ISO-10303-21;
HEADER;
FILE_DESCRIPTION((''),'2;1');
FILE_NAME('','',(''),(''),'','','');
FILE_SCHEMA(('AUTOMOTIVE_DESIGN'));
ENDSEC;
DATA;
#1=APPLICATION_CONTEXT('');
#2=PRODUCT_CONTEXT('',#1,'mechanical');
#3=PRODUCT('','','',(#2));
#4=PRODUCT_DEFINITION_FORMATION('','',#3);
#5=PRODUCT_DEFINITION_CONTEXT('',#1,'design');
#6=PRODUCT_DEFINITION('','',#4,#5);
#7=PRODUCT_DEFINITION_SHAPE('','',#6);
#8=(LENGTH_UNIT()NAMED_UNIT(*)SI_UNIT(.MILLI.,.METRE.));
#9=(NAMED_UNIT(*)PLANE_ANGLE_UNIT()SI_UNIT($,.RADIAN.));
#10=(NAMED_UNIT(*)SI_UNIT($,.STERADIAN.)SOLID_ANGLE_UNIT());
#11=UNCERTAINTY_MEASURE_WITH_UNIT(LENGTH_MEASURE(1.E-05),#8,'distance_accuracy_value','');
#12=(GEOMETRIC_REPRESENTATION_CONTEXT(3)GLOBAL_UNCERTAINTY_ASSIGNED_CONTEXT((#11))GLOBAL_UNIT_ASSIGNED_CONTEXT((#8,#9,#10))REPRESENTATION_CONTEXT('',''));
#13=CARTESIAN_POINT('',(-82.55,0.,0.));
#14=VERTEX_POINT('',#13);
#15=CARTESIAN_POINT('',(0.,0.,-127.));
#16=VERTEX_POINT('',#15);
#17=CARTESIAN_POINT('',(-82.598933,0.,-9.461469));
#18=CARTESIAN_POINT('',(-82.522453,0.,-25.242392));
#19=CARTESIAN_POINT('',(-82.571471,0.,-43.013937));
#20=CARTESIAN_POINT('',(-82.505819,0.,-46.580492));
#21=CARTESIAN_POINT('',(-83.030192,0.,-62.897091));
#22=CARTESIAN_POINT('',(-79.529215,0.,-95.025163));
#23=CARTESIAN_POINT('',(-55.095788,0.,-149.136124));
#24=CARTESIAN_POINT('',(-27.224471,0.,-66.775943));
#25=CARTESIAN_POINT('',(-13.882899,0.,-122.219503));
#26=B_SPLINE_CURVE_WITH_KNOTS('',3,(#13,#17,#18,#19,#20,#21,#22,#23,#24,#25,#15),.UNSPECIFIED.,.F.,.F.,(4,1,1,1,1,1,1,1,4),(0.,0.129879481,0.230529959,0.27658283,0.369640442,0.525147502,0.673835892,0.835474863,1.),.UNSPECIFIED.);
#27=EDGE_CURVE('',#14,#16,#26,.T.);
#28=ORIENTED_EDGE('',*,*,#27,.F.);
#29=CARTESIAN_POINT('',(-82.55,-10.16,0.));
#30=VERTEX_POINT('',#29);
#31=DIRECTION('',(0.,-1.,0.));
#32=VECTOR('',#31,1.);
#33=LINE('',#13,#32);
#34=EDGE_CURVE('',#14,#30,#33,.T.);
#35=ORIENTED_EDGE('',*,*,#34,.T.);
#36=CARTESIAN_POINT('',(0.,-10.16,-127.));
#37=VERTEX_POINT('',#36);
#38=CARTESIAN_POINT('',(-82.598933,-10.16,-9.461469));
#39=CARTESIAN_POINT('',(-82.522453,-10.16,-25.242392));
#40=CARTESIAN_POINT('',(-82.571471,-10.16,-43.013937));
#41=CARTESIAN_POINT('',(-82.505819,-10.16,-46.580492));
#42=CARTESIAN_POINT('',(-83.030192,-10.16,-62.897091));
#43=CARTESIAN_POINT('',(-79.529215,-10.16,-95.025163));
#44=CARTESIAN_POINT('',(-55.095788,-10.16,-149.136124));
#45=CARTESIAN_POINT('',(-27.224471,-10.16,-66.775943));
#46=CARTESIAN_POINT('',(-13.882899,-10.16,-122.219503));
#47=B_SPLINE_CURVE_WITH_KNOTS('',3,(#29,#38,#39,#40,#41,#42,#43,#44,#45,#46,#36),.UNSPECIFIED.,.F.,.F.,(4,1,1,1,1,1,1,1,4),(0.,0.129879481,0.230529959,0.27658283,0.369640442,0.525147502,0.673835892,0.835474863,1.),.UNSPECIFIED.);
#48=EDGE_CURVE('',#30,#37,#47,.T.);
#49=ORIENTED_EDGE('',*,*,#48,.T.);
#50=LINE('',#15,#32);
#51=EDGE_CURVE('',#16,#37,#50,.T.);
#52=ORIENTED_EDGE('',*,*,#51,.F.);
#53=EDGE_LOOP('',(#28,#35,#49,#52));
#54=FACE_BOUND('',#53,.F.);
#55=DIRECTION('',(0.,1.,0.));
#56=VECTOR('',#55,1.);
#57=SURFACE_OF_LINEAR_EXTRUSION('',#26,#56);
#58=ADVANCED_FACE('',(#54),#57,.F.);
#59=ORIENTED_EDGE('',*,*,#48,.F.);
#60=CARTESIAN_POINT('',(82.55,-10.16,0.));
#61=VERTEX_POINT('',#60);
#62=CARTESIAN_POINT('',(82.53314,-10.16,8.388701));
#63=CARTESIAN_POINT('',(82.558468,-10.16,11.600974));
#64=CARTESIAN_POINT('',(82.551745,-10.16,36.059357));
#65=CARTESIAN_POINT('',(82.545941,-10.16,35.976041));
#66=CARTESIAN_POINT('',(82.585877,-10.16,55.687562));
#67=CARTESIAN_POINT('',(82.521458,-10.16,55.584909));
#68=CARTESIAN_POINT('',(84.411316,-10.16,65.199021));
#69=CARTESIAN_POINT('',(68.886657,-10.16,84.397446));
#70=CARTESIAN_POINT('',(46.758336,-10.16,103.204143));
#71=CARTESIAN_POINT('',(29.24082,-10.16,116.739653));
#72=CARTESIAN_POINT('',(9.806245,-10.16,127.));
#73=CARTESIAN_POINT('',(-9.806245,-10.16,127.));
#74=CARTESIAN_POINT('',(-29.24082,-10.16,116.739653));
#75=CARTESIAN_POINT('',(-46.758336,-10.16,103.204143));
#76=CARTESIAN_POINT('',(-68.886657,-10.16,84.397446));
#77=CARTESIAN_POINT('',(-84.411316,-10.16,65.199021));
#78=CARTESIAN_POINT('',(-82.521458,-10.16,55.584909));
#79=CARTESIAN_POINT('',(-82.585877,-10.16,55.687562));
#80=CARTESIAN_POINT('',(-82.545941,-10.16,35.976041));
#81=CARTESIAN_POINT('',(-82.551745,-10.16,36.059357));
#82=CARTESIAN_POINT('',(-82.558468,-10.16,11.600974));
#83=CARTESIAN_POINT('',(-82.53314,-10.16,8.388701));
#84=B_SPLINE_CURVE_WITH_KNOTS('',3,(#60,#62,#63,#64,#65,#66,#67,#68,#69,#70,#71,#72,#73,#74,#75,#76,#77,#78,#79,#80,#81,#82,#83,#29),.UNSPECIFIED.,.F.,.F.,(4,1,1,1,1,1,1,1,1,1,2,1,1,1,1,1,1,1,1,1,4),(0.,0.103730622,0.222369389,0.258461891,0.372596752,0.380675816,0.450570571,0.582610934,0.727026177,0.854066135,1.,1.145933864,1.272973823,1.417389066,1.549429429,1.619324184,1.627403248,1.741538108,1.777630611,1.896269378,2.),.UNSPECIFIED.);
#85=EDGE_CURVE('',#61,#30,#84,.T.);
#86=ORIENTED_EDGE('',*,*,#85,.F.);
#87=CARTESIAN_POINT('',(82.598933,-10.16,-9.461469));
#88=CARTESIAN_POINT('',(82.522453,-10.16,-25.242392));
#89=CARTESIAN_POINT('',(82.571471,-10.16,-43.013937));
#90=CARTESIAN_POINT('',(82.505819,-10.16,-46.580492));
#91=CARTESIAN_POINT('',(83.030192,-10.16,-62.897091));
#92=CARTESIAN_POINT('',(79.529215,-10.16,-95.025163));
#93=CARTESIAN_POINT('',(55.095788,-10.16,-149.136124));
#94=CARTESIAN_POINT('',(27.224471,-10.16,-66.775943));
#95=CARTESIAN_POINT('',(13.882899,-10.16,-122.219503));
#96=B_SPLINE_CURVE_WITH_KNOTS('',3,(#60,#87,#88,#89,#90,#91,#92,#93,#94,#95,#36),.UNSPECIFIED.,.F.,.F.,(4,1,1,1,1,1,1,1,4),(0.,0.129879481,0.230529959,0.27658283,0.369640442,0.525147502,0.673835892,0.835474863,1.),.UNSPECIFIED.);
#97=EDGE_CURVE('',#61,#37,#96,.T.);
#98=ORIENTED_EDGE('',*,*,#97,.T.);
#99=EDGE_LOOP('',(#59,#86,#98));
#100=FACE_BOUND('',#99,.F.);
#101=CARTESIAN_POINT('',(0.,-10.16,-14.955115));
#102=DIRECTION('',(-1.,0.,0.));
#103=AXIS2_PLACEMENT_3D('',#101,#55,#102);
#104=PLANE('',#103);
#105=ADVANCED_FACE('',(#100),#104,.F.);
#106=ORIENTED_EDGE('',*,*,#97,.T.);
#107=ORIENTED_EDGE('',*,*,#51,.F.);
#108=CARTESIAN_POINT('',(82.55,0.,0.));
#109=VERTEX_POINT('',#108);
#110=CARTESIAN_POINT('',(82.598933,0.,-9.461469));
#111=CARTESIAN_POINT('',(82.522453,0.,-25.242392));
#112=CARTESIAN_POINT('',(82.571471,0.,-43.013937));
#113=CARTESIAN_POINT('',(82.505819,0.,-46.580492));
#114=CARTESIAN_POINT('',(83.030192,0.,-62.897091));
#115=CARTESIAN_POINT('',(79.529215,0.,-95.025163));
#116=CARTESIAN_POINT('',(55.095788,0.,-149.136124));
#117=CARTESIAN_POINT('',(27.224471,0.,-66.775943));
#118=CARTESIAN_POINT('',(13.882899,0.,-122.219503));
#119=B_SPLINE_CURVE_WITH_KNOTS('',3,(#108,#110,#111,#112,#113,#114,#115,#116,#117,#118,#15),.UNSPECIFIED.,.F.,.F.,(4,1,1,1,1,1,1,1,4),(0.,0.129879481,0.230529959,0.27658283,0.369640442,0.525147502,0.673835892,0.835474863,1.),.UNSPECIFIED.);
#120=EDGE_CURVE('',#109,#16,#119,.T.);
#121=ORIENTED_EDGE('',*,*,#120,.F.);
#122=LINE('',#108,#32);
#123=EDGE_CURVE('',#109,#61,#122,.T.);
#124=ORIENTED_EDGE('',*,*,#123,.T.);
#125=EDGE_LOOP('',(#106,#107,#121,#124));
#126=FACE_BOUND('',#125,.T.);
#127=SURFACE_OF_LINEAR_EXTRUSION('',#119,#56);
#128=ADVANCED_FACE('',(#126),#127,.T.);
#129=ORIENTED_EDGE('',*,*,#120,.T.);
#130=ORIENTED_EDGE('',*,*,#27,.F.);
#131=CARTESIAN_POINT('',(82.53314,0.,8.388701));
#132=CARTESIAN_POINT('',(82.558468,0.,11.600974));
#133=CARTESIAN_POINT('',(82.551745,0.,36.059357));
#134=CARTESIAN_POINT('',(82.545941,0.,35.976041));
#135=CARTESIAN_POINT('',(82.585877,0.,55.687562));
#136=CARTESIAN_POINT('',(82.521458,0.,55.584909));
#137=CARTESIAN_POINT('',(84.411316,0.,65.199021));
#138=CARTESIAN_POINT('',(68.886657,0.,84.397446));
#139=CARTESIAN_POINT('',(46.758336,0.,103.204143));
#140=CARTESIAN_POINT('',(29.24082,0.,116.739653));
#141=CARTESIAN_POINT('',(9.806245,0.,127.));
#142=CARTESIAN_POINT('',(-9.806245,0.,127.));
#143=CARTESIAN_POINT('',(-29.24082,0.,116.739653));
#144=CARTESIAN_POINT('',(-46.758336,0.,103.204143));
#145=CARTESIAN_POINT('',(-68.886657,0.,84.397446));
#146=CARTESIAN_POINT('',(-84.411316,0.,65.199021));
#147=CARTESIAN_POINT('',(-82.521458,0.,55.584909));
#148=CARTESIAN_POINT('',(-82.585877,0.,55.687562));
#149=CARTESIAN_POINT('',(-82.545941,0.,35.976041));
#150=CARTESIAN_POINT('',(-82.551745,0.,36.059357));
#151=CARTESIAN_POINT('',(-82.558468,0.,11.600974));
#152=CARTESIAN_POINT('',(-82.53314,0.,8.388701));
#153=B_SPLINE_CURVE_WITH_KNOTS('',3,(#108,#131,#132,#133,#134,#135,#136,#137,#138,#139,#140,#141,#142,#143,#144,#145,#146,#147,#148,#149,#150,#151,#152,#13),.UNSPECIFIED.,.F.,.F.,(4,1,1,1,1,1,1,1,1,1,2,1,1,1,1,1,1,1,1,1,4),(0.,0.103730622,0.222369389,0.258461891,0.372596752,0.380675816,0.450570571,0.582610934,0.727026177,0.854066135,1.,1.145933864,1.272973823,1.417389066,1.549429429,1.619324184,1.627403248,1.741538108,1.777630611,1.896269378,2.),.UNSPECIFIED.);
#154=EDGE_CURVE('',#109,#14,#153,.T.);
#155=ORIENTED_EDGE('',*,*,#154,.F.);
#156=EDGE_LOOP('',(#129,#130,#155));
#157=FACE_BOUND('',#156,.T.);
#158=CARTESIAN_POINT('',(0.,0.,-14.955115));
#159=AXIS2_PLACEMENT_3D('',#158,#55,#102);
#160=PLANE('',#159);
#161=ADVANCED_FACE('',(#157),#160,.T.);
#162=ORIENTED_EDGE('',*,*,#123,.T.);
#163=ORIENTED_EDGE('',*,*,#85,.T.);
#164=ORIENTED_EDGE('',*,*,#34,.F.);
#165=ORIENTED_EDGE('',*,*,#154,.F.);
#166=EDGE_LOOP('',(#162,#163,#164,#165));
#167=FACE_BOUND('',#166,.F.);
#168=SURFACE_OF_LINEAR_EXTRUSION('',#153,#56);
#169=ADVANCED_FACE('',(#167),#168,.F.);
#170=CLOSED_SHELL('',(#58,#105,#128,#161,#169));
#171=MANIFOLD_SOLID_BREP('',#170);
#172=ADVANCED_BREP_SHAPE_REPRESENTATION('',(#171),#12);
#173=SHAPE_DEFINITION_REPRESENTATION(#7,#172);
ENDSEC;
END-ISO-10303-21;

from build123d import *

# Parameters (mm, degrees)
F1_DEPTH = 10.16


with BuildPart() as f1:
    # F0 (on Front) → F1 (new body)
    with BuildSketch(Plane.XZ):
        with BuildLine():
            add(Edge.make_bspline(
                [(-82.55, 0), (-82.5331403559, 8.3887005291), (-82.5584681629, 11.6009736933), (-82.5517447201, 36.0593568119), (-82.5459405343, 35.9760405218), (-82.585876668, 55.6875624655), (-82.5214583874, 55.5849086715), (-84.4113157229, 65.199020679), (-68.8866570208, 84.3974457488), (-46.7583356111, 103.20414326), (-29.2408197824, 116.7396527977), (-9.8062448488, 127), (0, 127)],
                knots=[0, 0, 0, 0, 0.1037306224, 0.222369389, 0.2584618915, 0.3725967522, 0.3806758155, 0.4505705706, 0.5826109339, 0.7270261767, 0.8540661355, 1, 1, 1, 1], degree=3))
            add(Edge.make_bspline(
                [(-82.55, 0), (-82.5989333009, -9.4614689315), (-82.5224526151, -25.2423920156), (-82.5714706951, -43.0139370995), (-82.5058191514, -46.5804920144), (-83.0301917953, -62.8970914899), (-79.5292152215, -95.0251627591), (-55.0957884874, -149.1361236097), (-27.2244711885, -66.7759429806), (-13.8828989955, -122.2195028411), (0, -127)],
                knots=[0, 0, 0, 0, 0.1298794811, 0.2305299588, 0.2765828296, 0.3696404425, 0.5251475025, 0.6738358916, 0.8354748635, 1, 1, 1, 1], degree=3))
            add(Edge.make_bspline(
                [(82.55, 0), (82.5989333009, -9.4614689315), (82.5224526151, -25.2423920156), (82.5714706951, -43.0139370995), (82.5058191514, -46.5804920144), (83.0301917953, -62.8970914899), (79.5292152215, -95.0251627591), (55.0957884874, -149.1361236097), (27.2244711885, -66.7759429806), (13.8828989955, -122.2195028411), (0, -127)],
                knots=[0, 0, 0, 0, 0.1298794811, 0.2305299588, 0.2765828296, 0.3696404425, 0.5251475025, 0.6738358916, 0.8354748635, 1, 1, 1, 1], degree=3))
            add(Edge.make_bspline(
                [(82.55, 0), (82.5331403559, 8.3887005291), (82.5584681629, 11.6009736933), (82.5517447201, 36.0593568119), (82.5459405343, 35.9760405218), (82.585876668, 55.6875624655), (82.5214583874, 55.5849086715), (84.4113157229, 65.199020679), (68.8866570208, 84.3974457488), (46.7583356111, 103.20414326), (29.2408197824, 116.7396527977), (9.8062448488, 127), (0, 127)],
                knots=[0, 0, 0, 0, 0.1037306224, 0.222369389, 0.2584618915, 0.3725967522, 0.3806758155, 0.4505705706, 0.5826109339, 0.7270261767, 0.8540661355, 1, 1, 1, 1], degree=3))
        make_face()
    extrude(amount=F1_DEPTH)


solid = f1.part
